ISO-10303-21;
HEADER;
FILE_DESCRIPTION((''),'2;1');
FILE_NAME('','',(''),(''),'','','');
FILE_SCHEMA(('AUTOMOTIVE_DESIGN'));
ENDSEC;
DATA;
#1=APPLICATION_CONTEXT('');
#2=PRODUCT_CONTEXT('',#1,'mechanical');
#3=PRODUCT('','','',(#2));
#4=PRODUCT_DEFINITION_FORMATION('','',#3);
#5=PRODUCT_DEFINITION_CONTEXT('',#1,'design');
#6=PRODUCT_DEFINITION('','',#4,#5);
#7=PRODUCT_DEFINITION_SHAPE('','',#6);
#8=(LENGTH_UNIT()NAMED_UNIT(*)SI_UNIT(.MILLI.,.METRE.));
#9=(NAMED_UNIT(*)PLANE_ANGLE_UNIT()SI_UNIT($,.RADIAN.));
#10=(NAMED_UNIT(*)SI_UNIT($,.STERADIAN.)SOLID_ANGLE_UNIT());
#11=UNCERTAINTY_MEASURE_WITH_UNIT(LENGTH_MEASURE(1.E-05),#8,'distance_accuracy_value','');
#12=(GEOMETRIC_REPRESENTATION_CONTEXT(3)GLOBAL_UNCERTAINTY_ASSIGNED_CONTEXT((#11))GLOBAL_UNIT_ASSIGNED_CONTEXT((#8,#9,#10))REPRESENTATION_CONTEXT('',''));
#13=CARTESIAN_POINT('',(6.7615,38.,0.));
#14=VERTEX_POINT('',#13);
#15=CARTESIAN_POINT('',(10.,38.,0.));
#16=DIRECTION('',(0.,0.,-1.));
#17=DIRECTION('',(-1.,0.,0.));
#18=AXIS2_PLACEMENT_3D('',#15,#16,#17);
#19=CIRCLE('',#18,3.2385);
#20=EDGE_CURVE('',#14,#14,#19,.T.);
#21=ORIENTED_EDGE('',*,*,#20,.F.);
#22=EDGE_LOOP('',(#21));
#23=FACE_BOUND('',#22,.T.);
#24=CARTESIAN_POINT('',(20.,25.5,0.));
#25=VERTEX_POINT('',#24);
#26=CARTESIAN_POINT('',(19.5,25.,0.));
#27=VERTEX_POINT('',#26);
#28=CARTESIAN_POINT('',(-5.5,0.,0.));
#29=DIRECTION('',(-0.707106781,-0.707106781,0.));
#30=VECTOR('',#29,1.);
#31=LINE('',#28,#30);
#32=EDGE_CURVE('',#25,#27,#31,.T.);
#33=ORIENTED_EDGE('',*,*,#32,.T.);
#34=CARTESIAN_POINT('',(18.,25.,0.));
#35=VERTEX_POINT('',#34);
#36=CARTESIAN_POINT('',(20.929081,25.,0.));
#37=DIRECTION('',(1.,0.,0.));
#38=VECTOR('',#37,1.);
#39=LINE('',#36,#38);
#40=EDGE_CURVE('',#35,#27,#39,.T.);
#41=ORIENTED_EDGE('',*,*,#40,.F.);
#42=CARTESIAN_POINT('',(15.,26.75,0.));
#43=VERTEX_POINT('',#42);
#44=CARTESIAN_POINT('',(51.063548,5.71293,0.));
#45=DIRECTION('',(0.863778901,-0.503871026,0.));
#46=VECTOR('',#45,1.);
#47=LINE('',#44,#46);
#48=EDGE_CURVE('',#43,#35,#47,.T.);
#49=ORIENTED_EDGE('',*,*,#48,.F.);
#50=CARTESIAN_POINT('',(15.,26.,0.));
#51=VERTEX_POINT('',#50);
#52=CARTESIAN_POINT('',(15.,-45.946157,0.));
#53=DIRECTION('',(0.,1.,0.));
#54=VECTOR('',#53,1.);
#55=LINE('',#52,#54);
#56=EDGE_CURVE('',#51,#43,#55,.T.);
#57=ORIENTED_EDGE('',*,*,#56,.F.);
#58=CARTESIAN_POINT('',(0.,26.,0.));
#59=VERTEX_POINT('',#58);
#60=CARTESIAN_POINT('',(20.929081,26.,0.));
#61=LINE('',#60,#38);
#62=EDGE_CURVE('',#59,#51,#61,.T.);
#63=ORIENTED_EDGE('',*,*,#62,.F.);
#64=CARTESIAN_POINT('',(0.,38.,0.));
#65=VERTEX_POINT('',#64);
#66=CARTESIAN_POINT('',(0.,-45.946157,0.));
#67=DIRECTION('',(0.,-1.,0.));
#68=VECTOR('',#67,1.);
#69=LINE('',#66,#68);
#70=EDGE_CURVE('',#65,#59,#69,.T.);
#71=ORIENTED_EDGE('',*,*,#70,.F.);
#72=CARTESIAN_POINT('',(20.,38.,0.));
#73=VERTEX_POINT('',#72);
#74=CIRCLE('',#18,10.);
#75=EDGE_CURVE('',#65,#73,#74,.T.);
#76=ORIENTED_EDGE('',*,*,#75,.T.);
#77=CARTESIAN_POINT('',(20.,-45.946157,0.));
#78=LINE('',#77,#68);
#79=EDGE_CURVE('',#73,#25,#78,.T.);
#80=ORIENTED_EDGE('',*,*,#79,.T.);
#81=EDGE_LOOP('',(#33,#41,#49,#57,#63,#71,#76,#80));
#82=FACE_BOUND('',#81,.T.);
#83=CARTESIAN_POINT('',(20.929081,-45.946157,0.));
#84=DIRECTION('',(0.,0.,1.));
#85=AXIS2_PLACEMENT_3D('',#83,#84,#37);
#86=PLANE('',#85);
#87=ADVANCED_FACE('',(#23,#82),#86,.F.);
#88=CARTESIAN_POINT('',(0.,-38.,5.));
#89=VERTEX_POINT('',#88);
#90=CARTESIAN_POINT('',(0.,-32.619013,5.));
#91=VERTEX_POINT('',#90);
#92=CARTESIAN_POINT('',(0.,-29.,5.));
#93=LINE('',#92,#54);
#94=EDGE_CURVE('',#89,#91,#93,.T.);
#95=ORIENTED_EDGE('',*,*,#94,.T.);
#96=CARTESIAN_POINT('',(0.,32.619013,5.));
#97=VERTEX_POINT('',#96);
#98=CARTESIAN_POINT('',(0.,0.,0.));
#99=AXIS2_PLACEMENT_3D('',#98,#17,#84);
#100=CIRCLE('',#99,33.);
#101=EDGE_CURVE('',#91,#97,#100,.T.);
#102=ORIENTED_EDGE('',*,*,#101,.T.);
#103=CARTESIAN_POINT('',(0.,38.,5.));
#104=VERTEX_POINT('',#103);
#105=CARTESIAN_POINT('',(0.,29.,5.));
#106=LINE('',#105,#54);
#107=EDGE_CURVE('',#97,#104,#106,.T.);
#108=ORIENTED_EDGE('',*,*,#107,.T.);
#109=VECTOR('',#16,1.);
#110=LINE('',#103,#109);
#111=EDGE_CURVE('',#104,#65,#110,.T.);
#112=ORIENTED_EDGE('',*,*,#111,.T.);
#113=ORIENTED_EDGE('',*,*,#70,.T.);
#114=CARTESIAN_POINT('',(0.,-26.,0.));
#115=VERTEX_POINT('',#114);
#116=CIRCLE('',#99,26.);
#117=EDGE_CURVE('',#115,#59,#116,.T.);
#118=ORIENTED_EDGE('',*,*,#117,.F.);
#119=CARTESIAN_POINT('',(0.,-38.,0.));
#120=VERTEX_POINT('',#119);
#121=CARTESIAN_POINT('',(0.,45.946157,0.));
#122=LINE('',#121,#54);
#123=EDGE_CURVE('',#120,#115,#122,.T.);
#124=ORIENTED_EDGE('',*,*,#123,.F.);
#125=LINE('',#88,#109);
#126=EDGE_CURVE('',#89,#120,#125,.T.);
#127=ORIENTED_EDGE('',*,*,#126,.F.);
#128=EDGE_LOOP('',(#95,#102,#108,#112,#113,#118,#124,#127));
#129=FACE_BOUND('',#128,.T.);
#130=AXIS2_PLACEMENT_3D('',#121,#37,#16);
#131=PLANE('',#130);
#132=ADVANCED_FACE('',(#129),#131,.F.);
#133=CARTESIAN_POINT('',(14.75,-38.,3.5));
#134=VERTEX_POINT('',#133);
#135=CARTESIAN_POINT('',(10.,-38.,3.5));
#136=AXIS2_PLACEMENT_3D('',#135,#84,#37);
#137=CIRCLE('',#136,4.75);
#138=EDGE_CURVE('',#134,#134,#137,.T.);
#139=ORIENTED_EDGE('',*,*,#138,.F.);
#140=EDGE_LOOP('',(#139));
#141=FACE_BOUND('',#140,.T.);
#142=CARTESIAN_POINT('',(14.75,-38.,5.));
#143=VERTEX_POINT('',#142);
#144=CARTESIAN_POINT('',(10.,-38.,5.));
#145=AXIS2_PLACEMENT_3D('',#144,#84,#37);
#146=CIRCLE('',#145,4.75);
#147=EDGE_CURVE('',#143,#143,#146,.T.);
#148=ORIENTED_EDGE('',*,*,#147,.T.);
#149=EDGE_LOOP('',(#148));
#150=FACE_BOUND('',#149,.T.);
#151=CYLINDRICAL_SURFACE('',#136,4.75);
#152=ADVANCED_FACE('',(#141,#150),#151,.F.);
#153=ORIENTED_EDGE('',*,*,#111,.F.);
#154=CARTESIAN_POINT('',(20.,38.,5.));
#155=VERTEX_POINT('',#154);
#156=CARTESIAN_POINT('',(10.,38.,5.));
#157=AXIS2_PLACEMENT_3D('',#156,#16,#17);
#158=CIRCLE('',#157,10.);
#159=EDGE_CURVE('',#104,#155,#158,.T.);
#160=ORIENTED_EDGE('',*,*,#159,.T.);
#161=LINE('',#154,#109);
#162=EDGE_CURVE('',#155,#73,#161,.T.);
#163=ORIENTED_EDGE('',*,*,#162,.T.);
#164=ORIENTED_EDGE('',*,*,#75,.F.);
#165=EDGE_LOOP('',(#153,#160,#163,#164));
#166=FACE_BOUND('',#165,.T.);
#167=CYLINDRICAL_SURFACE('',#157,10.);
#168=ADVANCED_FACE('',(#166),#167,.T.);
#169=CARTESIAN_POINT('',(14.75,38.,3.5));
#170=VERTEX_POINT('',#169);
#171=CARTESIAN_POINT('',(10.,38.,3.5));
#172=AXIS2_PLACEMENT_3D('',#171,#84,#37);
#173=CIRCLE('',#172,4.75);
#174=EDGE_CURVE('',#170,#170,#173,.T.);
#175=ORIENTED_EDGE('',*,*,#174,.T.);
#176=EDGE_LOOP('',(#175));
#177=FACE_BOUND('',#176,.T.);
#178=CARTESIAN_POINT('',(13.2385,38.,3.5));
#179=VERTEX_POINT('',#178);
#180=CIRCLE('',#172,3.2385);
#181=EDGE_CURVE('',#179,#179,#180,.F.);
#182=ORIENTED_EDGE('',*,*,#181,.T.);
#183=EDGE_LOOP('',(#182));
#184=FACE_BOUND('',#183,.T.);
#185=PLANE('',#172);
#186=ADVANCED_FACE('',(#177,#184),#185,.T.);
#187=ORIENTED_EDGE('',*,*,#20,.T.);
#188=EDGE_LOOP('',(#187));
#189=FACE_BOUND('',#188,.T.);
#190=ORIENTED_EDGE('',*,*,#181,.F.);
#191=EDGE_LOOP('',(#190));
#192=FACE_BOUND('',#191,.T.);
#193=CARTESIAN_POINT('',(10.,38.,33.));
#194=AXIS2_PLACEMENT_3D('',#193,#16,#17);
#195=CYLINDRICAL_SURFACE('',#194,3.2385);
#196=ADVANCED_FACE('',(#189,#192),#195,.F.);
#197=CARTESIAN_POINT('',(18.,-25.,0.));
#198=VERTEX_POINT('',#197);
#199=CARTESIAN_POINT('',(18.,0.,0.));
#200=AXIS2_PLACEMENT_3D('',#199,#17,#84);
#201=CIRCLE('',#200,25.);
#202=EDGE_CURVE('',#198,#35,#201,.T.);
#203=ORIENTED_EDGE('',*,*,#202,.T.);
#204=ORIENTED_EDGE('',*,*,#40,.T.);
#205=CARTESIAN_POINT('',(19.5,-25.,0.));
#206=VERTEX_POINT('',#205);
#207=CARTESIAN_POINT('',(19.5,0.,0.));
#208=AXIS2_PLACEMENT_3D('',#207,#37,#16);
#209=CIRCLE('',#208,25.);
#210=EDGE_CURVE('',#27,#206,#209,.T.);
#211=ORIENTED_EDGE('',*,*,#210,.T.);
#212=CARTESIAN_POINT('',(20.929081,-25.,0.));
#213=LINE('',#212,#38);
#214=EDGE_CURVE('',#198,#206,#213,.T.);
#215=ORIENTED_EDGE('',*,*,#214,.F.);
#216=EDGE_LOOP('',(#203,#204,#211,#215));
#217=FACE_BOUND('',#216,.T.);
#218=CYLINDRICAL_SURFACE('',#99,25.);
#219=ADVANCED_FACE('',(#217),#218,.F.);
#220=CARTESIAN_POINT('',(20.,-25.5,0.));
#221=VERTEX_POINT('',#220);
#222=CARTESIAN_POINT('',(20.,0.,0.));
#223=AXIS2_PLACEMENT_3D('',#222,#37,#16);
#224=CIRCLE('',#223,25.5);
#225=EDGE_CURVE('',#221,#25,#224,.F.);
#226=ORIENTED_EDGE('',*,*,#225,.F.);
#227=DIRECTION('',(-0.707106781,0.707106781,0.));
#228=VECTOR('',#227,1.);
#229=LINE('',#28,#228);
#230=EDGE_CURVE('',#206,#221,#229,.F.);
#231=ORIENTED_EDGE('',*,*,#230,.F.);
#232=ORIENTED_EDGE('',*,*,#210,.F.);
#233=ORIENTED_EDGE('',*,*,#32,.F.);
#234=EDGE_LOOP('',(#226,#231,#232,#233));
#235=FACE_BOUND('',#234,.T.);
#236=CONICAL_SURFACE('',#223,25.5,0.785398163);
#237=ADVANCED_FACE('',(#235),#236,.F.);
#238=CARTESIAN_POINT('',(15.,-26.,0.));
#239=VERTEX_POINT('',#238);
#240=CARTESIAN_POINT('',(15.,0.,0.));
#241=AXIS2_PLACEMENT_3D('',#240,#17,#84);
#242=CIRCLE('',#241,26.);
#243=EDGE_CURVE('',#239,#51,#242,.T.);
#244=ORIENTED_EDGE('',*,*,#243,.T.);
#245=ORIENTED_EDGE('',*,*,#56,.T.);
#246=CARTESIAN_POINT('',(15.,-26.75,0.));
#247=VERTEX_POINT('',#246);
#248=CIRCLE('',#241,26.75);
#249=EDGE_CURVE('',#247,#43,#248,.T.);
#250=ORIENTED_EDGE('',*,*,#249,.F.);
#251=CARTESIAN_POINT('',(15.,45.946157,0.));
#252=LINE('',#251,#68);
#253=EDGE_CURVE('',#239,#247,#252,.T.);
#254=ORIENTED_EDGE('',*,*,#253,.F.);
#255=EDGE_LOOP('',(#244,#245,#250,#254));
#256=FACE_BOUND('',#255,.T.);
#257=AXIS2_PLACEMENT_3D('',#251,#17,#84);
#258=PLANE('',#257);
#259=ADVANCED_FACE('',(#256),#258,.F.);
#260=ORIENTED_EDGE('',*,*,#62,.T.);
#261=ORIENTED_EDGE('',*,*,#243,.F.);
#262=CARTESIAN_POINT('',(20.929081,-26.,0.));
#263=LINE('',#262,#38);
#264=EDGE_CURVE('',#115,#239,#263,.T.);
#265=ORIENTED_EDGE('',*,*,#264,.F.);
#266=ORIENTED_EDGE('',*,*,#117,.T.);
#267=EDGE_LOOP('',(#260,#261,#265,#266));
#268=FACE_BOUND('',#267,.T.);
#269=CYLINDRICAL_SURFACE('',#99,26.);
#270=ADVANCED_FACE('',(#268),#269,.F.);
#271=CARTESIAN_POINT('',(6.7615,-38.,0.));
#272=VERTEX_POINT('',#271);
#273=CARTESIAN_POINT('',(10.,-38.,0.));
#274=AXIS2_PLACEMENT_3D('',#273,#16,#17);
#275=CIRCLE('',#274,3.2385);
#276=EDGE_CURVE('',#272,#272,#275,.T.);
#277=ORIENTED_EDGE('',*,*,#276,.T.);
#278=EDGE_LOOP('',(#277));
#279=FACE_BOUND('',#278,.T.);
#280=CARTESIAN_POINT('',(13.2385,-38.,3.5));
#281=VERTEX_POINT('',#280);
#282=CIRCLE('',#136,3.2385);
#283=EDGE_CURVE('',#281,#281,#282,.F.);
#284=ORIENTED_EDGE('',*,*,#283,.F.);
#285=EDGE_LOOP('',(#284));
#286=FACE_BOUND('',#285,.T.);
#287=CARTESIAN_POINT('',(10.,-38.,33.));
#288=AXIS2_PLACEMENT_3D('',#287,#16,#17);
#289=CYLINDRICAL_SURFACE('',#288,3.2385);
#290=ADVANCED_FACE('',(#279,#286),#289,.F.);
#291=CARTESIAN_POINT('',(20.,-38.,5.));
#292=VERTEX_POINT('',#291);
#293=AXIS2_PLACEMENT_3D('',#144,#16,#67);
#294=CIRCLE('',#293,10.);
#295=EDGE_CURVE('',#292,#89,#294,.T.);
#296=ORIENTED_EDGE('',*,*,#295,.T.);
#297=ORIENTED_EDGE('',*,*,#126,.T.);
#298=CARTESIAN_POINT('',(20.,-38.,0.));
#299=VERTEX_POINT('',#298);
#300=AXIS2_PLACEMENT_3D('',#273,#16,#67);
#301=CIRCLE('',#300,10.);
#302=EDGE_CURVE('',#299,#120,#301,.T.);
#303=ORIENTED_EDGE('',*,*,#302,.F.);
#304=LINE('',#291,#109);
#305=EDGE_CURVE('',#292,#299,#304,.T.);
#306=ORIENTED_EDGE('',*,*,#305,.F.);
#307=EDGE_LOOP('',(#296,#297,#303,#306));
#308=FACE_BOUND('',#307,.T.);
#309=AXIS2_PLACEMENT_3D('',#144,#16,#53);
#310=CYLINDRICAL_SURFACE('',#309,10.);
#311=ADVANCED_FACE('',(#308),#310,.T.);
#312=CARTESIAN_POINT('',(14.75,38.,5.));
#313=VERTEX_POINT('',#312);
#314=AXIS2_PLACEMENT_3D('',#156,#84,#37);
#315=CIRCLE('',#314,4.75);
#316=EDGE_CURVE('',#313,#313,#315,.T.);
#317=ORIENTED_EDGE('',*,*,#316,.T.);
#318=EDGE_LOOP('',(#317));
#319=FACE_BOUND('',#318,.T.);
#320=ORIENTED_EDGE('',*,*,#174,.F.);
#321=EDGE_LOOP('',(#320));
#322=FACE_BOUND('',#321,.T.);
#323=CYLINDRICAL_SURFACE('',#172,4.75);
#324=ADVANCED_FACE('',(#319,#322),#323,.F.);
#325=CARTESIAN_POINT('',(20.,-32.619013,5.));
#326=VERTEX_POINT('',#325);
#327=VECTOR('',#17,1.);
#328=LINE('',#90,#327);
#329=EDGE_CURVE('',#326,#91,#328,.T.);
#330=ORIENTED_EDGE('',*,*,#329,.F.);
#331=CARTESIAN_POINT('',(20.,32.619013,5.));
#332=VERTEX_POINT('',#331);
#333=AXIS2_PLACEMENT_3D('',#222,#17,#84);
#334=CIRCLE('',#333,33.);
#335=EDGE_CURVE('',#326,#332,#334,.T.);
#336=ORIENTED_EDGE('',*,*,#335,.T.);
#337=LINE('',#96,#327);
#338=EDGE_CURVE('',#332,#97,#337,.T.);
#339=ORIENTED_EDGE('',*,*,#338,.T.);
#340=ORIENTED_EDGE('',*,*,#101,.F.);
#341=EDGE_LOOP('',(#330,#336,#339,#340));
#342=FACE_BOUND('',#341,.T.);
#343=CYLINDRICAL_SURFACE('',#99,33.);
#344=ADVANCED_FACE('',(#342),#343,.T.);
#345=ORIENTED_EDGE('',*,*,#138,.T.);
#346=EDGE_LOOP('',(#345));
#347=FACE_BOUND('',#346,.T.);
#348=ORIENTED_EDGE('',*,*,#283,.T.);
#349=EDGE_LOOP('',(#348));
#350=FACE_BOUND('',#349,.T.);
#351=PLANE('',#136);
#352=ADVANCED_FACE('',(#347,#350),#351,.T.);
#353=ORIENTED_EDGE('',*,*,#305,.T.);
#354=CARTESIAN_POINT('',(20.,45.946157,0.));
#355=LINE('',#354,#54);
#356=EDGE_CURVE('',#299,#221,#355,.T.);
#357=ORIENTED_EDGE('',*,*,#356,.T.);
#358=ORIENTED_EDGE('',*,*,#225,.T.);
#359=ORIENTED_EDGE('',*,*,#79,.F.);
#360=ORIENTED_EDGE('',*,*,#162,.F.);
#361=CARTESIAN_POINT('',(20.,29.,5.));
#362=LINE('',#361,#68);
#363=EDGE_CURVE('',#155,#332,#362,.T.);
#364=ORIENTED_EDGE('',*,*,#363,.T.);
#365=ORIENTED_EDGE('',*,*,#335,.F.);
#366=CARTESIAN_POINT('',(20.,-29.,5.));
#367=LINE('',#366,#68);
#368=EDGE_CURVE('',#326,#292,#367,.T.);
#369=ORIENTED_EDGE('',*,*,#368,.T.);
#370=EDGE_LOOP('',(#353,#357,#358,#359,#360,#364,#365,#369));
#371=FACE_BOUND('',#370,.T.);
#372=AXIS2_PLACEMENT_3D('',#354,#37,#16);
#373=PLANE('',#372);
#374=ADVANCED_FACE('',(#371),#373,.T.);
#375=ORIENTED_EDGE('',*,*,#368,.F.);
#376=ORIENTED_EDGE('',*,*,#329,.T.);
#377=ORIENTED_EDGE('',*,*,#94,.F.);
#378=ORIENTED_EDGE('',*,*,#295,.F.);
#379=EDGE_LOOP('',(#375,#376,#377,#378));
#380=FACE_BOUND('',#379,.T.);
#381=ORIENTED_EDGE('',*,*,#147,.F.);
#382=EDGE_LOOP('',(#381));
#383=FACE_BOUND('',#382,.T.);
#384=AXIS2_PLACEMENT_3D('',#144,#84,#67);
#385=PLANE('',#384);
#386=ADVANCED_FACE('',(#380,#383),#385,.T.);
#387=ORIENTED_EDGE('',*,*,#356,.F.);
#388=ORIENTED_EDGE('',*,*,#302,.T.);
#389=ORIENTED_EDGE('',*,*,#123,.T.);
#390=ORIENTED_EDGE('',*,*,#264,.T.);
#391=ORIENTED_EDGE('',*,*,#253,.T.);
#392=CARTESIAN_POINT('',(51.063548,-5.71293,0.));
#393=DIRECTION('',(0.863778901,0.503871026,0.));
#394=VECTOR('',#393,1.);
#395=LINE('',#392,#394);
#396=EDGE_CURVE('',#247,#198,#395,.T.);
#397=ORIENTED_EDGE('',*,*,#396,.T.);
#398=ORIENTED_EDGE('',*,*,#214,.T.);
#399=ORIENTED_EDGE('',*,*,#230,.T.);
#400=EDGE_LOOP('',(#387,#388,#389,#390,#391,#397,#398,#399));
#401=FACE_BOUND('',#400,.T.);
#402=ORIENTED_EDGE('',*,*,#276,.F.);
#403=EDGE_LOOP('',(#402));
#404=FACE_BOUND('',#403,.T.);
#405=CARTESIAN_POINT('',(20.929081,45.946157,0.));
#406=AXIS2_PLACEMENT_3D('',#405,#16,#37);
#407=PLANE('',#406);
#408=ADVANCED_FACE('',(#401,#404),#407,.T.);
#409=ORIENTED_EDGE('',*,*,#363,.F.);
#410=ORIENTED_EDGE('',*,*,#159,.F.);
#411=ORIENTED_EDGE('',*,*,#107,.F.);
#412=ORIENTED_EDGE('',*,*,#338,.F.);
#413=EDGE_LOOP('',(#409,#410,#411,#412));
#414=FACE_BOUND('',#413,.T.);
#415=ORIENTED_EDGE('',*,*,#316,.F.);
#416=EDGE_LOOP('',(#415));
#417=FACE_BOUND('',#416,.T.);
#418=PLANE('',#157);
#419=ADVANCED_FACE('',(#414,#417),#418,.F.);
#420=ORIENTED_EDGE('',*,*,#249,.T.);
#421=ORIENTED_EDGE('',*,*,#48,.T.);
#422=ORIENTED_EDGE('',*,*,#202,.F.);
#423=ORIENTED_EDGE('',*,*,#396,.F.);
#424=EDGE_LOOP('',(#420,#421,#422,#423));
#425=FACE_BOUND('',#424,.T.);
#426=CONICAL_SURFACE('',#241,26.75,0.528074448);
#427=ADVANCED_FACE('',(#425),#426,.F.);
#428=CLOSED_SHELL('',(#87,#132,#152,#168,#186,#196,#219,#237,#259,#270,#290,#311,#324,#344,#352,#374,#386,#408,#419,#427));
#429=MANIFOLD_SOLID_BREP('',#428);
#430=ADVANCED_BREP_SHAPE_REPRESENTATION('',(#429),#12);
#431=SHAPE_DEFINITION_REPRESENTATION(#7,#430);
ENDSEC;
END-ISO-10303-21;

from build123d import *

# Parameters (mm, degrees)
REVOLVE1_ANGLE      = 180
BOSS_EXTRUDE3_DEPTH = 5
BOSS_EXTRUDE4_DEPTH = 5
SKETCH17_R          = 3.2385
CUT_EXTRUDE1_DEPTH  = 34
SKETCH18_R          = 4.75
CUT_EXTRUDE2_DEPTH  = 1.5
CHAMFER1_SIZE       = 0.5


with BuildPart() as part:
    # Sketch1 → Revolve1 (revolve)
    with BuildSketch(Plane.XY):
        Polygon((15, 26), (15, 26.75), (18, 25), (20, 25), (20, 33), (0, 33), (0, 26), align=None)
    revolve(axis=Axis((0, 0, 0), (1, 0, 0)), revolution_arc=REVOLVE1_ANGLE)

    # Sketch9 → Boss-Extrude3 (add)
    with BuildSketch(Plane(origin=(0, 0, 0), x_dir=(-1, 0, 0), z_dir=(0, 0, -1))):
        with BuildLine():
            Line((-20, 29), (0, 29))
            Line((0, 29), (0, 38))
            ThreePointArc((0, 38), (-10, 48), (-20, 38))
            Line((-20, 38), (-20, 29))
        make_face()
    extrude(amount=-BOSS_EXTRUDE3_DEPTH)

    # Sketch11 → Boss-Extrude4 (add)
    with BuildSketch(Plane(origin=(0, 0, 0), x_dir=(-1, 0, 0), z_dir=(0, 0, -1))):
        with BuildLine():
            Line((-20, -29), (0, -29))
            Line((0, -29), (0, -38))
            ThreePointArc((0, -38), (-10, -48), (-20, -38))
            Line((-20, -38), (-20, -29))
        make_face()
    extrude(amount=-BOSS_EXTRUDE4_DEPTH)

    # Sketch17 → Cut-Extrude1 (cut, through all)
    with BuildSketch(Plane(origin=(0, 0, 0), x_dir=(-1, 0, 0), z_dir=(0, 0, -1))):
        with Locations((-10, 38)):
            Circle(SKETCH17_R)
        with Locations((-10, -38)):
            Circle(SKETCH17_R)
    extrude(amount=-CUT_EXTRUDE1_DEPTH, mode=Mode.SUBTRACT)

    # Sketch18 → Cut-Extrude2 (cut)
    with BuildSketch(Plane.XY.offset(5)):
        with Locations((10, -38)):
            Circle(SKETCH18_R)
        with Locations((10, 38)):
            Circle(SKETCH18_R)
    extrude(amount=-CUT_EXTRUDE2_DEPTH, mode=Mode.SUBTRACT)

    # Chamfer1
    chamfer1_edges = [part.edges().sort_by_distance(p)[0] for p in [
        (20, 0, 25),
    ]]
    chamfer(chamfer1_edges, length=CHAMFER1_SIZE)


solid = part.part
